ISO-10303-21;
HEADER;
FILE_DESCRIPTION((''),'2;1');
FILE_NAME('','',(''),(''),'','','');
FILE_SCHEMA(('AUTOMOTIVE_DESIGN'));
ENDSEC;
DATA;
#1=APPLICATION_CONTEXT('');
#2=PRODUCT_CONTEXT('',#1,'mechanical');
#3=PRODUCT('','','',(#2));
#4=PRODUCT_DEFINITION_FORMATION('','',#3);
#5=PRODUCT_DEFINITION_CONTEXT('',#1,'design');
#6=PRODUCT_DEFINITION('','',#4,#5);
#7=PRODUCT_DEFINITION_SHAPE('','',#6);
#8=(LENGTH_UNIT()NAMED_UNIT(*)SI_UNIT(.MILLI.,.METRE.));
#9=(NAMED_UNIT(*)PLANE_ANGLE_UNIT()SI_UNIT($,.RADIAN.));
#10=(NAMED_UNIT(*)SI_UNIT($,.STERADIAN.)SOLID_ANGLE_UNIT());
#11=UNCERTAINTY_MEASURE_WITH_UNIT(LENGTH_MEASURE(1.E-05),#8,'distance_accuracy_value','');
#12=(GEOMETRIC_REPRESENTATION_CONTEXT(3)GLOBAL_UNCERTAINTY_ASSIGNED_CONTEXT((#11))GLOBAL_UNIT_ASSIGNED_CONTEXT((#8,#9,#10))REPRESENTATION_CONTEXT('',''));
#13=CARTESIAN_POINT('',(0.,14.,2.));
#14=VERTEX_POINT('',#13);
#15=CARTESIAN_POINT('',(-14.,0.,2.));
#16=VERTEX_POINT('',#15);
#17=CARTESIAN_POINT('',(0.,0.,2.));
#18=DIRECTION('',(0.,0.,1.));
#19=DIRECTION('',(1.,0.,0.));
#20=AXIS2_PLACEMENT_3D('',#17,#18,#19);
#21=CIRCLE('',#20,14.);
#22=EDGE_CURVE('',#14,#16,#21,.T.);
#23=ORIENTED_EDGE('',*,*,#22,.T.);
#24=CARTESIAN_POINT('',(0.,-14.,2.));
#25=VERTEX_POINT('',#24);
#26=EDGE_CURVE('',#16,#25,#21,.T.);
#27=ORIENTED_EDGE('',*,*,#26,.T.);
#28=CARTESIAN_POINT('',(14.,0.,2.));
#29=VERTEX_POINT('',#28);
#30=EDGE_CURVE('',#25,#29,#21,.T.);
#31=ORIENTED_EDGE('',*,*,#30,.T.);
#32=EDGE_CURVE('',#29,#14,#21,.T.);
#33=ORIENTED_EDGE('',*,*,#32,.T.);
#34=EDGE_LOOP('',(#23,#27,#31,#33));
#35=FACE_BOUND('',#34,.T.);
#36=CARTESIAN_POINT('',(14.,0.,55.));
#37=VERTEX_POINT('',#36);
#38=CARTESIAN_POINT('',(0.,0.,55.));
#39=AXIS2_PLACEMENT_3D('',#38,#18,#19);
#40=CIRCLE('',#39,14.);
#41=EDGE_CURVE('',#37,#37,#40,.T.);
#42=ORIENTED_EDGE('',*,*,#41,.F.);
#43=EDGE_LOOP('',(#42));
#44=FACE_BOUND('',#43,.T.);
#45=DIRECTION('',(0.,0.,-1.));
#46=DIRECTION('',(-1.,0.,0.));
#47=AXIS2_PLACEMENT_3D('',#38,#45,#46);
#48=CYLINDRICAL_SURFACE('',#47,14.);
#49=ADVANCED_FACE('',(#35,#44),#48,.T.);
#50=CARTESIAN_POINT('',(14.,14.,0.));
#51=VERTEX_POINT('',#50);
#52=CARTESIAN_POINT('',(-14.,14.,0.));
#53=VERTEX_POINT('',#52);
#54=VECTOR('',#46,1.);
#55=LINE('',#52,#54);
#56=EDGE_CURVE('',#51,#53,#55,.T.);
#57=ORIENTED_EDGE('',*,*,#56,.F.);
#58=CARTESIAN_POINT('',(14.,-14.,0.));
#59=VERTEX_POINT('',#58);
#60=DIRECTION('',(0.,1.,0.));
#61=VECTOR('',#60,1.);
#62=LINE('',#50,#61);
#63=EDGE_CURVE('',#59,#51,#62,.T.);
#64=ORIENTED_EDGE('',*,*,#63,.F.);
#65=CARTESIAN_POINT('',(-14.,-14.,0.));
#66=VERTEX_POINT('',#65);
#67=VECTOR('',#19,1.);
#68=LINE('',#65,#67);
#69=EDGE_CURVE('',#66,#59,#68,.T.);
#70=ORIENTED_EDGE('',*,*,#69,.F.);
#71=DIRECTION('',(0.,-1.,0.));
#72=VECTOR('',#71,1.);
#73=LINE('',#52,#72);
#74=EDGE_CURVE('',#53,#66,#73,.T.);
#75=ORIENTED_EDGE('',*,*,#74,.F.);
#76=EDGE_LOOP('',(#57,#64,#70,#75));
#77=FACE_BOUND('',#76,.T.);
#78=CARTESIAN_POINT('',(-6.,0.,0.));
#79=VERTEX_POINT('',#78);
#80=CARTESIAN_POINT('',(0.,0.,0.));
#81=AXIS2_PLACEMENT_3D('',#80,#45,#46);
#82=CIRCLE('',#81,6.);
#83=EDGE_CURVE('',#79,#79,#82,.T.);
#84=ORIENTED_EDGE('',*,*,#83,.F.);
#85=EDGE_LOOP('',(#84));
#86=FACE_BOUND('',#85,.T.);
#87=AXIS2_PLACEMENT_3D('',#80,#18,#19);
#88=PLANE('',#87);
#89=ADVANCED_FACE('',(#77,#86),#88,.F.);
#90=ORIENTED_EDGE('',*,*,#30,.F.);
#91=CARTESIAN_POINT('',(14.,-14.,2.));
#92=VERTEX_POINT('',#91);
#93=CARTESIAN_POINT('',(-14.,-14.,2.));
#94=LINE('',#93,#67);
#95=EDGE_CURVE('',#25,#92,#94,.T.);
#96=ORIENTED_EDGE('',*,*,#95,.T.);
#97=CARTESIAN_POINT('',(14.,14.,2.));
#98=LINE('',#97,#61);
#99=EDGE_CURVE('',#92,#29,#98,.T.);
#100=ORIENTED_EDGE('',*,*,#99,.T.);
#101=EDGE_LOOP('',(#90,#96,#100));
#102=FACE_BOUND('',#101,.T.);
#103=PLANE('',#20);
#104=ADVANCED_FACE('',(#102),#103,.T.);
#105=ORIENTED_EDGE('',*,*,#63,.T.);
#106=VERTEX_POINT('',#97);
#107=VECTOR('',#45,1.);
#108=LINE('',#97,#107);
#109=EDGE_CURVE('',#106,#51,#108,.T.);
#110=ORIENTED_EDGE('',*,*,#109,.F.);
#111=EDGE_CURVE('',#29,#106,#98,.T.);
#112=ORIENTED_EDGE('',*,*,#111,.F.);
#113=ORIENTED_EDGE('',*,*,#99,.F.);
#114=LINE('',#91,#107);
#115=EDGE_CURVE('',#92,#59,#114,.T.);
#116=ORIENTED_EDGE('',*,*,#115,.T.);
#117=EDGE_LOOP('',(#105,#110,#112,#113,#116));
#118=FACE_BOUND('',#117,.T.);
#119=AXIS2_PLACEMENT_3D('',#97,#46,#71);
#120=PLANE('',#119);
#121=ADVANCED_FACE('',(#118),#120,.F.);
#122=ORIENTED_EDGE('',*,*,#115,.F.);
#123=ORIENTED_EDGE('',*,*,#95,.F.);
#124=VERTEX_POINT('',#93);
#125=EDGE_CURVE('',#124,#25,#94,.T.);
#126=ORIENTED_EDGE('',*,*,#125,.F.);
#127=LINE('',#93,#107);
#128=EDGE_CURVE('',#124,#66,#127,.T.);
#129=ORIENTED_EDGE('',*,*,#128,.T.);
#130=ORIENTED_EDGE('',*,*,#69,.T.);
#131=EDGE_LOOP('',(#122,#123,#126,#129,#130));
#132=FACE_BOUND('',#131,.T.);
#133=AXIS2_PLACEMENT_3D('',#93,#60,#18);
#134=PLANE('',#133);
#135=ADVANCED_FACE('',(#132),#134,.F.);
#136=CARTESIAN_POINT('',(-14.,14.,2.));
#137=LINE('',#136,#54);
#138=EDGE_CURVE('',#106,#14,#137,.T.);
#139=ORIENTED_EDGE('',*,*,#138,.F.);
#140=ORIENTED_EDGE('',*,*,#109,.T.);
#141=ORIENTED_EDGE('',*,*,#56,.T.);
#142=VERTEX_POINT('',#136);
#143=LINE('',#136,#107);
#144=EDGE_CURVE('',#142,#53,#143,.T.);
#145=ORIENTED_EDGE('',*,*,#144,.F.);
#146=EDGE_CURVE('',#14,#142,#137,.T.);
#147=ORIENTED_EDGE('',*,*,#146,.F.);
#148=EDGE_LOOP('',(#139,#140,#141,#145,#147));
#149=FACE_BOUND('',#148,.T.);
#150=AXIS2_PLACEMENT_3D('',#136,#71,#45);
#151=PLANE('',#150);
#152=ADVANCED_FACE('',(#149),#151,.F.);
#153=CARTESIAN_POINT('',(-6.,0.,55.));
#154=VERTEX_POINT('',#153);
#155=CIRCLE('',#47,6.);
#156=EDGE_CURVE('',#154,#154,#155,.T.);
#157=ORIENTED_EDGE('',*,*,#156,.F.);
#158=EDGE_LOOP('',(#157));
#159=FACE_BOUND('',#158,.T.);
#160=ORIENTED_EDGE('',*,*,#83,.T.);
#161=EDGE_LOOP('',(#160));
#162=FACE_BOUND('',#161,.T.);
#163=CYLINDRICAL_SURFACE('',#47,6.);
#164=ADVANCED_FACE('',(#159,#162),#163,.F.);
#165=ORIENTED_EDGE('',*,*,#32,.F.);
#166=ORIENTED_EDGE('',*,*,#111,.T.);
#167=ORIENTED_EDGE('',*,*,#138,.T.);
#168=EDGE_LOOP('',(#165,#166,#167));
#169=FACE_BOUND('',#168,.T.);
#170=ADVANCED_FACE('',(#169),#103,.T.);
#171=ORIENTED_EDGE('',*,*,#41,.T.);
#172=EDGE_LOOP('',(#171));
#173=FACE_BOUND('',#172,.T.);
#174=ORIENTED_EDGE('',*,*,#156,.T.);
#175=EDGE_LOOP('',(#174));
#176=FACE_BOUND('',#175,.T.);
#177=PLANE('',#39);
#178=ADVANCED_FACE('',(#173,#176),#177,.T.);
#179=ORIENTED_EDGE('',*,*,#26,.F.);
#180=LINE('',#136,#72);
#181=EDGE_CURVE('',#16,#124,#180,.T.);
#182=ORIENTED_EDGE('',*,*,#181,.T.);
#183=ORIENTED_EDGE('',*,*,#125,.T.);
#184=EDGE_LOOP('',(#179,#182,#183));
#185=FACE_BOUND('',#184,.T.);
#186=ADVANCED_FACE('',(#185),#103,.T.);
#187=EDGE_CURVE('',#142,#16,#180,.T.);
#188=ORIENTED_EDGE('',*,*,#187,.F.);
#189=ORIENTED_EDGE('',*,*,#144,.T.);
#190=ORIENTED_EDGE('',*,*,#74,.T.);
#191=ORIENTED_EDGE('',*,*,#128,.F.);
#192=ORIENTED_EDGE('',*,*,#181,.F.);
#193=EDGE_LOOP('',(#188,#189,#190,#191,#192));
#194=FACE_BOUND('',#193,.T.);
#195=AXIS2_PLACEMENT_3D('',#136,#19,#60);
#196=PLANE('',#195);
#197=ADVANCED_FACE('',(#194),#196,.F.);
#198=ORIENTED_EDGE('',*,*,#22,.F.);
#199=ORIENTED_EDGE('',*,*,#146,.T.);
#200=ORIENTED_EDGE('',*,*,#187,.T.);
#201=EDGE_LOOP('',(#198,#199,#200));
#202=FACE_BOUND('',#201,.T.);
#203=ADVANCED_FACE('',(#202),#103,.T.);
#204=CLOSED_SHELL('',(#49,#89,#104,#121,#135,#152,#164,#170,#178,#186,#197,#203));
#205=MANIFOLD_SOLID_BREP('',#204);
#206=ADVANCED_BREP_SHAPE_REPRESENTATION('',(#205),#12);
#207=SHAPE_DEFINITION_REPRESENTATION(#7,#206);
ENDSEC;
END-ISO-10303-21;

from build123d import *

# Parameters (mm, degrees)
SKETCH1_W           = 28
SKETCH1_H           = 28
BOSS_EXTRUDE1_DEPTH = 2
SKETCH2_R           = 14
BOSS_EXTRUDE2_DEPTH = 53
SKETCH3_R           = 6
CUT_EXTRUDE1_DEPTH  = 56


with BuildPart() as part:
    # Sketch1 → Boss-Extrude1 (new body)
    with BuildSketch(Plane.XY):
        Rectangle(SKETCH1_W, SKETCH1_H)
    extrude(amount=BOSS_EXTRUDE1_DEPTH)

    # Sketch2 → Boss-Extrude2 (add)
    with BuildSketch(Plane.XY.offset(2)):
        Circle(SKETCH2_R)
    extrude(amount=BOSS_EXTRUDE2_DEPTH)

    # Sketch3 → Cut-Extrude1 (cut, through all)
    with BuildSketch(Plane(origin=(0, 0, 0), x_dir=(-1, 0, 0), z_dir=(0, 0, -1))):
        Circle(SKETCH3_R)
    extrude(amount=-CUT_EXTRUDE1_DEPTH, mode=Mode.SUBTRACT)


solid = part.part
